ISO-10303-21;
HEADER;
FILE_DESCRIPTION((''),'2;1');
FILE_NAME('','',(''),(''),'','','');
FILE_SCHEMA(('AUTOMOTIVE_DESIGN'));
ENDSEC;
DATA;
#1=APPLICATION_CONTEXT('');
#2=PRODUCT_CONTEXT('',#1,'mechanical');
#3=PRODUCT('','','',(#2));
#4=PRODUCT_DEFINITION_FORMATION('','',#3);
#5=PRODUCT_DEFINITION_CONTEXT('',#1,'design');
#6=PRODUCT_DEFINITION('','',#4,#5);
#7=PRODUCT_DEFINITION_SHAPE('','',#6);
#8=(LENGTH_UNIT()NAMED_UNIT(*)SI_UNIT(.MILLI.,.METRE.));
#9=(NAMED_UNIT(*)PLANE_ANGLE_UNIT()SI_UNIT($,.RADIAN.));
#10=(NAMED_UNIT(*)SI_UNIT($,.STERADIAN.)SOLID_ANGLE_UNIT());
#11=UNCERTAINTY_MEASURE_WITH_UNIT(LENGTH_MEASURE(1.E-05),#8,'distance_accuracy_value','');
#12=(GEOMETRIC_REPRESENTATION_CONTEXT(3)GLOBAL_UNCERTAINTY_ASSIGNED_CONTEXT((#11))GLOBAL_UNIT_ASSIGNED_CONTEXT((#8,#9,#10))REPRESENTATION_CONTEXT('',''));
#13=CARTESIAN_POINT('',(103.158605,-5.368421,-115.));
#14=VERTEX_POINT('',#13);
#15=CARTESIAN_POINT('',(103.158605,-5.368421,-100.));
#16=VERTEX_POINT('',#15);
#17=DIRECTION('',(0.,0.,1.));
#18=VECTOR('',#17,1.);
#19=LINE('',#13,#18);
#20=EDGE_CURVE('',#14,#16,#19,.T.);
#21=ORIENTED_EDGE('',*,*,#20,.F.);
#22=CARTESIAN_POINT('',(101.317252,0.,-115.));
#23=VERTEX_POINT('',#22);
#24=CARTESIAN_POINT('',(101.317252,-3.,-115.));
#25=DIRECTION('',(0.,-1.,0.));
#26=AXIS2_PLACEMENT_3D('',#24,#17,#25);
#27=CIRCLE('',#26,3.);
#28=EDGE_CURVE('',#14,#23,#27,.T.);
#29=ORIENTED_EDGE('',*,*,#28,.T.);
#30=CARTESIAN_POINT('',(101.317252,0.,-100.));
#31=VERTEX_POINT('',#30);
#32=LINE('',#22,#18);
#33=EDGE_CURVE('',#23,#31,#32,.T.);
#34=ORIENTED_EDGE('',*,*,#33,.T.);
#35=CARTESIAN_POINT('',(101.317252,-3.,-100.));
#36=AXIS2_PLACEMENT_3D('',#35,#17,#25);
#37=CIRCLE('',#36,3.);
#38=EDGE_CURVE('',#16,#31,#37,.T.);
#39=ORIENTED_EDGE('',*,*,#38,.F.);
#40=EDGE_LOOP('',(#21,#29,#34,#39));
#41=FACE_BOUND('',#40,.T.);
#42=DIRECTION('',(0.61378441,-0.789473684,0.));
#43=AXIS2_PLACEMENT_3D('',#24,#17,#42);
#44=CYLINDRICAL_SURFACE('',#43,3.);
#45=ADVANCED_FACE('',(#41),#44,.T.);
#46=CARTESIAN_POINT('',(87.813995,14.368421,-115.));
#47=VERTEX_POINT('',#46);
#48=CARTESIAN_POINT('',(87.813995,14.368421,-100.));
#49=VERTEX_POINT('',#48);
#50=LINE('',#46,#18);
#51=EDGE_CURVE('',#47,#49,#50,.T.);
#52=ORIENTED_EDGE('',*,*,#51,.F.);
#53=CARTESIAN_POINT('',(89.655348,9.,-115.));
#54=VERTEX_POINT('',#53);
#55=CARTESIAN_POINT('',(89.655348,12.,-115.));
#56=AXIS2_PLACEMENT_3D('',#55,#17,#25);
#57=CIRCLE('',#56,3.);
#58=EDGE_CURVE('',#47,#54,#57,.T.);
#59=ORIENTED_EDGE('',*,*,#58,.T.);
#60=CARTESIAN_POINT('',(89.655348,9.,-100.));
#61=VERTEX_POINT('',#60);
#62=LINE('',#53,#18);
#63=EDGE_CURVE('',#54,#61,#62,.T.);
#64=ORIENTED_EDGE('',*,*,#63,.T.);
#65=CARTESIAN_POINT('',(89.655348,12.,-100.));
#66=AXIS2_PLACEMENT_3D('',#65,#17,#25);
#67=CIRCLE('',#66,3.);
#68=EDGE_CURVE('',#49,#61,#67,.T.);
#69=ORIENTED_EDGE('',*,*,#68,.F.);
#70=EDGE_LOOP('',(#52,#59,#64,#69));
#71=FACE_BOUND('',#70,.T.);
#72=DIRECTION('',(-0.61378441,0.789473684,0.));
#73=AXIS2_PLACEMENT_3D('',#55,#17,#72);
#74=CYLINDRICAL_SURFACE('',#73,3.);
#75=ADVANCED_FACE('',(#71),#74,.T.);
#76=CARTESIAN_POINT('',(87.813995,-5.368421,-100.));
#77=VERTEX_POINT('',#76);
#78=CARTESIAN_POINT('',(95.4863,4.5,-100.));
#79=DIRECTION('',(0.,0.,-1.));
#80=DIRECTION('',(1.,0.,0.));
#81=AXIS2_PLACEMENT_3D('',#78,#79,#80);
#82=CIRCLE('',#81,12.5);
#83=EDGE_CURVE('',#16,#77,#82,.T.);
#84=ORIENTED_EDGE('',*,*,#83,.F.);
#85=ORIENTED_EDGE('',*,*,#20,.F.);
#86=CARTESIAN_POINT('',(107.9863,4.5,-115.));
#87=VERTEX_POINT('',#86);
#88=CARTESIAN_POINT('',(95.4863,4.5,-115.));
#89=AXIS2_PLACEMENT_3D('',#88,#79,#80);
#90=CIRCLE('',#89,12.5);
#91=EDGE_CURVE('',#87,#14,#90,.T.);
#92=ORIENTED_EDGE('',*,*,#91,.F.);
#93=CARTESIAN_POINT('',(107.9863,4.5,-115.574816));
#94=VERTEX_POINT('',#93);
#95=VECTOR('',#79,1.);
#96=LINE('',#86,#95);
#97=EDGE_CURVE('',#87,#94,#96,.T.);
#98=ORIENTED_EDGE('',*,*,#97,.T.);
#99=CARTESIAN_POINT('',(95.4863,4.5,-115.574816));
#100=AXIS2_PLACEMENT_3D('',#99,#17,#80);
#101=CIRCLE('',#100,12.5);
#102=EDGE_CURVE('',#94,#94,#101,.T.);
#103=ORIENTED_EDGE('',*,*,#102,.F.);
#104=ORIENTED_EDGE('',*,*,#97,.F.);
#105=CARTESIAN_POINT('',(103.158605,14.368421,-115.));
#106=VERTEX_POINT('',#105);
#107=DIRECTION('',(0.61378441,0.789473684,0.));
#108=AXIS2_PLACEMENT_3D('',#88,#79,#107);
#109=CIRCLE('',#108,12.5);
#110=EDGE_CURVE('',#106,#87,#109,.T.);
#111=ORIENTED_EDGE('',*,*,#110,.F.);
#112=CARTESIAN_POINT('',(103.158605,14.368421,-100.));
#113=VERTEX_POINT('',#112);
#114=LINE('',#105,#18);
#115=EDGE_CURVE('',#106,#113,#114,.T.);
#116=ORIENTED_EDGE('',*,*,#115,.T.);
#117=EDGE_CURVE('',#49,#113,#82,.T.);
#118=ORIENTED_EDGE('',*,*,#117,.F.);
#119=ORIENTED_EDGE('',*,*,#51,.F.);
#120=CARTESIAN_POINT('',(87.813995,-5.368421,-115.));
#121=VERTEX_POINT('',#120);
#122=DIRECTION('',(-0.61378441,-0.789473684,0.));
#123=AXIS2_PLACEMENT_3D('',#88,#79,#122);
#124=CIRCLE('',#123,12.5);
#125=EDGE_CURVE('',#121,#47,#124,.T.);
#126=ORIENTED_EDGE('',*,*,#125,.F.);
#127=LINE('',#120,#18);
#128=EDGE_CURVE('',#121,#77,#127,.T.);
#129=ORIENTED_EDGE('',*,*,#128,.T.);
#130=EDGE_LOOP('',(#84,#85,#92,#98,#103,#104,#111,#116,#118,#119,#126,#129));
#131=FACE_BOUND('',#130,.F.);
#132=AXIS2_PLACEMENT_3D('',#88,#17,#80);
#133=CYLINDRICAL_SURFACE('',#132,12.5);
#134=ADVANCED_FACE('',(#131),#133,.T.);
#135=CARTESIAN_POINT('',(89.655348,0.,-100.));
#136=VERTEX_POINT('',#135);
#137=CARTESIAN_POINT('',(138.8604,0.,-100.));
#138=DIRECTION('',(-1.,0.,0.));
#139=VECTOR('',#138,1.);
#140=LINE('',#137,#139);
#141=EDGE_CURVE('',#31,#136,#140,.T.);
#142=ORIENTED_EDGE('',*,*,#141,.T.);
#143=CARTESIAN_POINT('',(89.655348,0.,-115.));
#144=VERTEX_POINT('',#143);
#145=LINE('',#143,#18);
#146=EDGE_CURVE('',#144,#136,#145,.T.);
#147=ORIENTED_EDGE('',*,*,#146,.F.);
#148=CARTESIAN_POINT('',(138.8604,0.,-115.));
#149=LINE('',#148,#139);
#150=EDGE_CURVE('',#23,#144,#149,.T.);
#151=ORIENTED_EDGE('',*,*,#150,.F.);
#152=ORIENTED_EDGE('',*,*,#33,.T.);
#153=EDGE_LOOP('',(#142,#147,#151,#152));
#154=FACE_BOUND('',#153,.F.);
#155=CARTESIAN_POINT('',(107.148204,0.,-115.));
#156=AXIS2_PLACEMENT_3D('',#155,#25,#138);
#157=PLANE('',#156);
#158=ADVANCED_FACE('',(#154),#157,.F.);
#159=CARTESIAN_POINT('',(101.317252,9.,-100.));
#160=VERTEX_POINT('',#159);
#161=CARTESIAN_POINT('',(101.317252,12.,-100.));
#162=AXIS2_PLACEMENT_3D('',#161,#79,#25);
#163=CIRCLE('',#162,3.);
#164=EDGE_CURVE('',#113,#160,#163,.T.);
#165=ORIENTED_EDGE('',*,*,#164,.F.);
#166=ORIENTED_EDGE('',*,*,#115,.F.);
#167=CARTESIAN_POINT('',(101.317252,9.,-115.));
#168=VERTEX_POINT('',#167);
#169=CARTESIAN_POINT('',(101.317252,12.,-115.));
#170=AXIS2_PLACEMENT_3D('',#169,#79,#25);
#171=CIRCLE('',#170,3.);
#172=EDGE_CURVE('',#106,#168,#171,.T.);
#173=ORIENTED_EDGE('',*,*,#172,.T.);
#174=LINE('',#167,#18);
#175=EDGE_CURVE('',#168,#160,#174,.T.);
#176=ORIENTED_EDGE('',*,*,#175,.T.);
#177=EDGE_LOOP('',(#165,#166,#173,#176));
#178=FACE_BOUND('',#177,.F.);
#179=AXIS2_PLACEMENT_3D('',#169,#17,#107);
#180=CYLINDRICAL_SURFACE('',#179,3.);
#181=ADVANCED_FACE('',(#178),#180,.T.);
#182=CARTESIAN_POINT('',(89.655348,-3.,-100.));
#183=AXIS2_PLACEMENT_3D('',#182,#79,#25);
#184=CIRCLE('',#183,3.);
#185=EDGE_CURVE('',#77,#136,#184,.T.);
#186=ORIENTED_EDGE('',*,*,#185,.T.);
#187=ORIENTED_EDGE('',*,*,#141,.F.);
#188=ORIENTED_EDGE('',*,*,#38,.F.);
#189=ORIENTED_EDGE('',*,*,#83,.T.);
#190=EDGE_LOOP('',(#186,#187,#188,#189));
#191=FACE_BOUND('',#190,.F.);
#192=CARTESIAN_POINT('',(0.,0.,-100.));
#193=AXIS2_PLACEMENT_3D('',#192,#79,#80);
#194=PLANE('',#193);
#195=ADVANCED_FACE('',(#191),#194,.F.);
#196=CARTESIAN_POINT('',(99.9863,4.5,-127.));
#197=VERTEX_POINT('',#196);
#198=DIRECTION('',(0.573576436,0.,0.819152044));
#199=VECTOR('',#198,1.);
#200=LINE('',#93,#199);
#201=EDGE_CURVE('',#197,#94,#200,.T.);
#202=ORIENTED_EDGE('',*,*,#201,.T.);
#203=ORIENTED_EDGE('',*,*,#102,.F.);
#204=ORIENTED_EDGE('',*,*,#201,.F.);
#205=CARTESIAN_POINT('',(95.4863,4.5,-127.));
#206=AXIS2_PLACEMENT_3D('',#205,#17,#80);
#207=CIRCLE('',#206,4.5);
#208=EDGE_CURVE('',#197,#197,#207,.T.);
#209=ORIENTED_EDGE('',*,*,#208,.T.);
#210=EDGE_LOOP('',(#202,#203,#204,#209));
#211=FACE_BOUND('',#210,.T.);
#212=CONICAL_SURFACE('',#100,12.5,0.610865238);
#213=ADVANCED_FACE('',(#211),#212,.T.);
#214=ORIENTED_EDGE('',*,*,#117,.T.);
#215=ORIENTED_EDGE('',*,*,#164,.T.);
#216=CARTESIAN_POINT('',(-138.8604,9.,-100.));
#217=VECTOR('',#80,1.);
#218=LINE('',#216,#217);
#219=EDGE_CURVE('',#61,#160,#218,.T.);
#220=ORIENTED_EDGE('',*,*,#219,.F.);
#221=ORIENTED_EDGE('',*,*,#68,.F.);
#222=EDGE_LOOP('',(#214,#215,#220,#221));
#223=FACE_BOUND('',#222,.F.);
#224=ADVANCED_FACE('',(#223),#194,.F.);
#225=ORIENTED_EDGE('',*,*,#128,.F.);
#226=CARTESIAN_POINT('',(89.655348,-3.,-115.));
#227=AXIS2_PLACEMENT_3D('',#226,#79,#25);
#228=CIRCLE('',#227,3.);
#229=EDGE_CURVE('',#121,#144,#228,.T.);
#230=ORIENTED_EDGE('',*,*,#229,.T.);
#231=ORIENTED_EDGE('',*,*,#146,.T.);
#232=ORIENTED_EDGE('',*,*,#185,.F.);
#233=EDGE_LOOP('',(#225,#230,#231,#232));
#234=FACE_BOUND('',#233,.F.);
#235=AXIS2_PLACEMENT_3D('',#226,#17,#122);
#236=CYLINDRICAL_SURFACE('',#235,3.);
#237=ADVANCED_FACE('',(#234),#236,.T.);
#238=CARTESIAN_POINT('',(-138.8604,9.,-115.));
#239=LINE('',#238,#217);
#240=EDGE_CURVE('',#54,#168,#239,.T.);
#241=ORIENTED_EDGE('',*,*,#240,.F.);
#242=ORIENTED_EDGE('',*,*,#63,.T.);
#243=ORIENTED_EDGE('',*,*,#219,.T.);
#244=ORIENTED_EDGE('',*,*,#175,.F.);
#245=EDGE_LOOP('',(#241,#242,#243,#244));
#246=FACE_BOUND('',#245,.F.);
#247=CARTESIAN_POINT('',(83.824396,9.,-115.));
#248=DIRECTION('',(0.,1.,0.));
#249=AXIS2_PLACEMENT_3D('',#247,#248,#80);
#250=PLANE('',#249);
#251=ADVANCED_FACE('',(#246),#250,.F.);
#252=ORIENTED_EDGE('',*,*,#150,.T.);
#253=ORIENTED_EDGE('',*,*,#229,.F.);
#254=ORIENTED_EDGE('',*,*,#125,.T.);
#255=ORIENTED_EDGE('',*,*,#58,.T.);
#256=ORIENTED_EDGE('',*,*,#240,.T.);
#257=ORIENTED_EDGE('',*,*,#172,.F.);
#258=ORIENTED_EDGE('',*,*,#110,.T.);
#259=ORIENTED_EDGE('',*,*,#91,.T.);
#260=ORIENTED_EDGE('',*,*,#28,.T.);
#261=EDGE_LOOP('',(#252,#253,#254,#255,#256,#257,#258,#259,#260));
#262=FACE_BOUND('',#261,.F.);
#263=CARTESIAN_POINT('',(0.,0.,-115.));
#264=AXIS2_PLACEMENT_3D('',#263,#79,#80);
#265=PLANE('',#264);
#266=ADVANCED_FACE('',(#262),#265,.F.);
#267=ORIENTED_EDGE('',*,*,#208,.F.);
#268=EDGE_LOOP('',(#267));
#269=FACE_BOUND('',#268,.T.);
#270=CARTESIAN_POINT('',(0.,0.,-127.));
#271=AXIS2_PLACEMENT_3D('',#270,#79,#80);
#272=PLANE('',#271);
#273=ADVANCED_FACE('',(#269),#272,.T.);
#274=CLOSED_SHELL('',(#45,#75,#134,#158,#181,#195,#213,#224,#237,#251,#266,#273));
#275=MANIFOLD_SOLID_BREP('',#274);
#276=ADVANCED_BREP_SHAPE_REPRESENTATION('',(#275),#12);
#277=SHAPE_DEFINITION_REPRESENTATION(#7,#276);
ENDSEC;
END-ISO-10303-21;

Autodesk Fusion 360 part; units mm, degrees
sketch "Sketch1" plane through (0, 0, -115) normal (0, 0, -1) x (1, 0, 0) in component "Component"
  line L0 (138.8604, -9) -> (138.8604, 0)
  line L1 (138.8604, 0) -> (-138.8604, 0)
  line L2 (-138.8604, 0) -> (-138.8604, -9)
  line L3 (-138.8604, -9) -> (138.8604, -9)
  circle A0 centre (95.4863, -4.5) radius 12.5
  dimension "d1" = 25
extrude "Extrude1" add sketch "Sketch1" along normal blind 12 contours L3 A0 | L1 L3 A0 | L1 A0 in component "Component"
chamfer "Chamfer1" distance 8 angle 55 1 edges at (83.8322, 9.0202, -127) measured on face at (91.6434, 3.879, -127) in component "Component"
extrude "Extrude2" add sketch "Sketch1" against normal blind 15 contours L3 A0 | L1 A0 in component "Component"
fillet "Fillet1" radius 3 4 edges at (83.8244, 9, -107.5) (83.8244, 0, -107.5) (107.1482, 0, -107.5) (107.1482, 9, -107.5) in component "Component"
component "Component" placed x (1, 0, 0) y (0, 1, 0) z (0, 0, 1) at (0, 0, 0)
